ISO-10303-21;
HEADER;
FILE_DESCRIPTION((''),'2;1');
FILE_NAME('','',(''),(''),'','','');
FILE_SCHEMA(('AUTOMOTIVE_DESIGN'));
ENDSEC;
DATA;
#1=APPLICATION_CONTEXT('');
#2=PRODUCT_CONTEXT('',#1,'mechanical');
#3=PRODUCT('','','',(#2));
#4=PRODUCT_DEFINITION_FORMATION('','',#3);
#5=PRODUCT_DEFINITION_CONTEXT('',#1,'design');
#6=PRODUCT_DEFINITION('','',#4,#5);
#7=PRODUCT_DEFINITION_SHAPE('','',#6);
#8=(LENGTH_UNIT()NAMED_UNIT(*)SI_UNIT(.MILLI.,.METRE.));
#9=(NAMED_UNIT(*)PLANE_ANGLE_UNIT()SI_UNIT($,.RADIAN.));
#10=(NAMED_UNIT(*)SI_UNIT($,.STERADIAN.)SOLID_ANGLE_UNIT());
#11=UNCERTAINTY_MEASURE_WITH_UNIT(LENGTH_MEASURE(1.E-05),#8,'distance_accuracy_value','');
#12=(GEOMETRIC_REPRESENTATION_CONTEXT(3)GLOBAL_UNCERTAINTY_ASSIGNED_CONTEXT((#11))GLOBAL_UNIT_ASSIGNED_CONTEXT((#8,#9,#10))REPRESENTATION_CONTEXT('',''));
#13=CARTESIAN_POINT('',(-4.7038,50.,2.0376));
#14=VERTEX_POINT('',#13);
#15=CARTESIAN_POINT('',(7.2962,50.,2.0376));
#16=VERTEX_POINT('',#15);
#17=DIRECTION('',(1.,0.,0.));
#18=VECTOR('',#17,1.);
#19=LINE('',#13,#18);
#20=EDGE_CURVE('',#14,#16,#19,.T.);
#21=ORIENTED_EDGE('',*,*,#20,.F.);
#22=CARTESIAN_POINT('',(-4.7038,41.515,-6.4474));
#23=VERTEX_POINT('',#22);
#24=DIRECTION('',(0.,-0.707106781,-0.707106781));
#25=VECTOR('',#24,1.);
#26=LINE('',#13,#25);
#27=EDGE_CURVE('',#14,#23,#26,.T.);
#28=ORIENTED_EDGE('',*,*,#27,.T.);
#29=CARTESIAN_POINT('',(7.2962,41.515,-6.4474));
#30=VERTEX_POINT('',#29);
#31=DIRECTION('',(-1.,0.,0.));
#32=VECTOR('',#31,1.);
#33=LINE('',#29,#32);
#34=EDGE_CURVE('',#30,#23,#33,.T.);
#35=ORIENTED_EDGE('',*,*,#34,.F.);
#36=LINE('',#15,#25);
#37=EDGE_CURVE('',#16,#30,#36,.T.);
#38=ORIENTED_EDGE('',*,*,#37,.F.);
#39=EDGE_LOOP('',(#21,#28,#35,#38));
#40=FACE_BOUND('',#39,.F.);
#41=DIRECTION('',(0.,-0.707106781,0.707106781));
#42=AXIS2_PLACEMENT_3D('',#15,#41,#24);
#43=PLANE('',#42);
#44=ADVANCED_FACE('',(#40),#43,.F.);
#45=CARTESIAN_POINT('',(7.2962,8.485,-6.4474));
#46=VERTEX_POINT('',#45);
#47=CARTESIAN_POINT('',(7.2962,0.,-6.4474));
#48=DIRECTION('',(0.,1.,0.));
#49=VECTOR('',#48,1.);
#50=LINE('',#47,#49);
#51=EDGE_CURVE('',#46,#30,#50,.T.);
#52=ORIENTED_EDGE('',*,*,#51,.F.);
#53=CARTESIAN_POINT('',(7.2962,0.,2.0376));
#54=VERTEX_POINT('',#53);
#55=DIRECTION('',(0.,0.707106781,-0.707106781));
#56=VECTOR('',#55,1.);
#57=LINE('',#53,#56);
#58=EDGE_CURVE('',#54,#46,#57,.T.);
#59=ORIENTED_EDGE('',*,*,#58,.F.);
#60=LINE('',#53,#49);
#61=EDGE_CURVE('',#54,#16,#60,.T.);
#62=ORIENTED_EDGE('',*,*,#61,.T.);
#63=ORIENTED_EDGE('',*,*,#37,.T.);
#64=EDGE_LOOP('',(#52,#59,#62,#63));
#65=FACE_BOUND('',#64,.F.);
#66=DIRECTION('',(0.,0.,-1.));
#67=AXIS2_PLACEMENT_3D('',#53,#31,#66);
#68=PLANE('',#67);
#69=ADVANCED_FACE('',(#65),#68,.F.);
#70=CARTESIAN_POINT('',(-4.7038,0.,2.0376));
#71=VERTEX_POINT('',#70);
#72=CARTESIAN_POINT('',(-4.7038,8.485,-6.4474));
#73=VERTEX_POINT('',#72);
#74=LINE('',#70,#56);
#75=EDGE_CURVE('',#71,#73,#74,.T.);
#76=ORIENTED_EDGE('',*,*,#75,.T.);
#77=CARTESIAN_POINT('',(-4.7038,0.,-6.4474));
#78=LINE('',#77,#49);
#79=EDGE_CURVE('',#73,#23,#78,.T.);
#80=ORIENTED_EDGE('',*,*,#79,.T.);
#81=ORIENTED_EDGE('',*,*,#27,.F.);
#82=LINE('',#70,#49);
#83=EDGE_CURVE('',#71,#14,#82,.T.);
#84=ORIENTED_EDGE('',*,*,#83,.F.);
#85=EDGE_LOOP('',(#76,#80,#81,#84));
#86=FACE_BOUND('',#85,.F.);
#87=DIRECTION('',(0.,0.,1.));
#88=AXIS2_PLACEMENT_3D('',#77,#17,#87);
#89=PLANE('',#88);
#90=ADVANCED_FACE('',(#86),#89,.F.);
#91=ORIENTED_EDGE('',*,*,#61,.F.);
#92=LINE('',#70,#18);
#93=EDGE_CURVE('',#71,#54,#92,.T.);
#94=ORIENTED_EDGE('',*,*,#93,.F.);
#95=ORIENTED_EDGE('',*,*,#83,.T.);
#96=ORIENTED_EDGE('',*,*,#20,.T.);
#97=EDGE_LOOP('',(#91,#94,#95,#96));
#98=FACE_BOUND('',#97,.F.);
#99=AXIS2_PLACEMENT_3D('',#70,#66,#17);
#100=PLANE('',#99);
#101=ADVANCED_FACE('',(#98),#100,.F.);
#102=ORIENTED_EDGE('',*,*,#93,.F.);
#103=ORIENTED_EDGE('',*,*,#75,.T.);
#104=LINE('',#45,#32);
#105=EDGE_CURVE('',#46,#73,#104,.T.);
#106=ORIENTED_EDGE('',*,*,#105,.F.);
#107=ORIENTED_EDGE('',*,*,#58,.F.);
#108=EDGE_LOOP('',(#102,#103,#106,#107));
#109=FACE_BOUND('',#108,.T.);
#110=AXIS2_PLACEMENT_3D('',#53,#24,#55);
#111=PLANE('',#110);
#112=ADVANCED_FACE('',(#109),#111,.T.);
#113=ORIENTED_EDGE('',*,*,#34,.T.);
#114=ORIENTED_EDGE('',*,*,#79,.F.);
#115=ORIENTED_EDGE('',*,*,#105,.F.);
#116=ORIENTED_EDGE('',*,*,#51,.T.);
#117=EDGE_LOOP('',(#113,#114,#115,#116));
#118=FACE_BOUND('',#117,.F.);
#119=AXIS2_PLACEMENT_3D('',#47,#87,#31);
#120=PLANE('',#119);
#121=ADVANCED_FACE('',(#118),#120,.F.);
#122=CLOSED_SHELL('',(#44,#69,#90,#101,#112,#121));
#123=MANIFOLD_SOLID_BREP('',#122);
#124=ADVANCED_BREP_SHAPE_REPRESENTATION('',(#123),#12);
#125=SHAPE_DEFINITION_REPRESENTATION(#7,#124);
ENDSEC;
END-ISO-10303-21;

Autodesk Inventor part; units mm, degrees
ref_plane "YZ Plane" through (0, 0, 0) normal (1, 0, 0) x (0, 1, 0)
ref_plane "XZ Plane" through (0, 0, 0) normal (0, 1, 0) x (-1, 0, 0)
ref_plane "XY Plane" through (0, 0, 0) normal (0, 0, 1) x (1, 0, 0)
sketch "Sketch1" plane through (0, 0, 0) normal (0, 1, 0) x (-1, 0, 0)
  line L0 (4.7038, 2.0376) -> (-7.2962, 2.0376)
  line L1 (-7.2962, 2.0376) -> (-7.2962, -6.4474)
  line L2 (-7.2962, -6.4474) -> (4.7038, -6.4474)
  line L3 (4.7038, -6.4474) -> (4.7038, 2.0376)
  point P0 (0, 0)
  dimension "d0" = 12
  dimension "d1" = 8.485
extrude "Extrusion1" add sketch "Sketch1" along normal blind 50
sketch "Sketch5" plane through (7.2962, 0, 2.0376) normal (1, 0, 0) x (0, 0, -1)
  line L0 (0, 0) -> (0, 50) projected
  line L1 (0, 50) -> (8.485, 41.515)
  line L2 (8.485, 0) -> (8.485, 50) projected
  line L3 (0, 50) -> (8.485, 50) projected
  line L4 (0, 0) -> (8.485, 0) projected
  line L5 (0, 0) -> (8.485, 8.485)
  point P0 (2.0376, 0)
  dimension "d11" = 45
  dimension "d15" = 45
extrude "Extrusion4" cut sketch "Sketch5" against normal blind 12 contours L5 L2 L4 | L3 L2 L1
properties part number "Middle"
